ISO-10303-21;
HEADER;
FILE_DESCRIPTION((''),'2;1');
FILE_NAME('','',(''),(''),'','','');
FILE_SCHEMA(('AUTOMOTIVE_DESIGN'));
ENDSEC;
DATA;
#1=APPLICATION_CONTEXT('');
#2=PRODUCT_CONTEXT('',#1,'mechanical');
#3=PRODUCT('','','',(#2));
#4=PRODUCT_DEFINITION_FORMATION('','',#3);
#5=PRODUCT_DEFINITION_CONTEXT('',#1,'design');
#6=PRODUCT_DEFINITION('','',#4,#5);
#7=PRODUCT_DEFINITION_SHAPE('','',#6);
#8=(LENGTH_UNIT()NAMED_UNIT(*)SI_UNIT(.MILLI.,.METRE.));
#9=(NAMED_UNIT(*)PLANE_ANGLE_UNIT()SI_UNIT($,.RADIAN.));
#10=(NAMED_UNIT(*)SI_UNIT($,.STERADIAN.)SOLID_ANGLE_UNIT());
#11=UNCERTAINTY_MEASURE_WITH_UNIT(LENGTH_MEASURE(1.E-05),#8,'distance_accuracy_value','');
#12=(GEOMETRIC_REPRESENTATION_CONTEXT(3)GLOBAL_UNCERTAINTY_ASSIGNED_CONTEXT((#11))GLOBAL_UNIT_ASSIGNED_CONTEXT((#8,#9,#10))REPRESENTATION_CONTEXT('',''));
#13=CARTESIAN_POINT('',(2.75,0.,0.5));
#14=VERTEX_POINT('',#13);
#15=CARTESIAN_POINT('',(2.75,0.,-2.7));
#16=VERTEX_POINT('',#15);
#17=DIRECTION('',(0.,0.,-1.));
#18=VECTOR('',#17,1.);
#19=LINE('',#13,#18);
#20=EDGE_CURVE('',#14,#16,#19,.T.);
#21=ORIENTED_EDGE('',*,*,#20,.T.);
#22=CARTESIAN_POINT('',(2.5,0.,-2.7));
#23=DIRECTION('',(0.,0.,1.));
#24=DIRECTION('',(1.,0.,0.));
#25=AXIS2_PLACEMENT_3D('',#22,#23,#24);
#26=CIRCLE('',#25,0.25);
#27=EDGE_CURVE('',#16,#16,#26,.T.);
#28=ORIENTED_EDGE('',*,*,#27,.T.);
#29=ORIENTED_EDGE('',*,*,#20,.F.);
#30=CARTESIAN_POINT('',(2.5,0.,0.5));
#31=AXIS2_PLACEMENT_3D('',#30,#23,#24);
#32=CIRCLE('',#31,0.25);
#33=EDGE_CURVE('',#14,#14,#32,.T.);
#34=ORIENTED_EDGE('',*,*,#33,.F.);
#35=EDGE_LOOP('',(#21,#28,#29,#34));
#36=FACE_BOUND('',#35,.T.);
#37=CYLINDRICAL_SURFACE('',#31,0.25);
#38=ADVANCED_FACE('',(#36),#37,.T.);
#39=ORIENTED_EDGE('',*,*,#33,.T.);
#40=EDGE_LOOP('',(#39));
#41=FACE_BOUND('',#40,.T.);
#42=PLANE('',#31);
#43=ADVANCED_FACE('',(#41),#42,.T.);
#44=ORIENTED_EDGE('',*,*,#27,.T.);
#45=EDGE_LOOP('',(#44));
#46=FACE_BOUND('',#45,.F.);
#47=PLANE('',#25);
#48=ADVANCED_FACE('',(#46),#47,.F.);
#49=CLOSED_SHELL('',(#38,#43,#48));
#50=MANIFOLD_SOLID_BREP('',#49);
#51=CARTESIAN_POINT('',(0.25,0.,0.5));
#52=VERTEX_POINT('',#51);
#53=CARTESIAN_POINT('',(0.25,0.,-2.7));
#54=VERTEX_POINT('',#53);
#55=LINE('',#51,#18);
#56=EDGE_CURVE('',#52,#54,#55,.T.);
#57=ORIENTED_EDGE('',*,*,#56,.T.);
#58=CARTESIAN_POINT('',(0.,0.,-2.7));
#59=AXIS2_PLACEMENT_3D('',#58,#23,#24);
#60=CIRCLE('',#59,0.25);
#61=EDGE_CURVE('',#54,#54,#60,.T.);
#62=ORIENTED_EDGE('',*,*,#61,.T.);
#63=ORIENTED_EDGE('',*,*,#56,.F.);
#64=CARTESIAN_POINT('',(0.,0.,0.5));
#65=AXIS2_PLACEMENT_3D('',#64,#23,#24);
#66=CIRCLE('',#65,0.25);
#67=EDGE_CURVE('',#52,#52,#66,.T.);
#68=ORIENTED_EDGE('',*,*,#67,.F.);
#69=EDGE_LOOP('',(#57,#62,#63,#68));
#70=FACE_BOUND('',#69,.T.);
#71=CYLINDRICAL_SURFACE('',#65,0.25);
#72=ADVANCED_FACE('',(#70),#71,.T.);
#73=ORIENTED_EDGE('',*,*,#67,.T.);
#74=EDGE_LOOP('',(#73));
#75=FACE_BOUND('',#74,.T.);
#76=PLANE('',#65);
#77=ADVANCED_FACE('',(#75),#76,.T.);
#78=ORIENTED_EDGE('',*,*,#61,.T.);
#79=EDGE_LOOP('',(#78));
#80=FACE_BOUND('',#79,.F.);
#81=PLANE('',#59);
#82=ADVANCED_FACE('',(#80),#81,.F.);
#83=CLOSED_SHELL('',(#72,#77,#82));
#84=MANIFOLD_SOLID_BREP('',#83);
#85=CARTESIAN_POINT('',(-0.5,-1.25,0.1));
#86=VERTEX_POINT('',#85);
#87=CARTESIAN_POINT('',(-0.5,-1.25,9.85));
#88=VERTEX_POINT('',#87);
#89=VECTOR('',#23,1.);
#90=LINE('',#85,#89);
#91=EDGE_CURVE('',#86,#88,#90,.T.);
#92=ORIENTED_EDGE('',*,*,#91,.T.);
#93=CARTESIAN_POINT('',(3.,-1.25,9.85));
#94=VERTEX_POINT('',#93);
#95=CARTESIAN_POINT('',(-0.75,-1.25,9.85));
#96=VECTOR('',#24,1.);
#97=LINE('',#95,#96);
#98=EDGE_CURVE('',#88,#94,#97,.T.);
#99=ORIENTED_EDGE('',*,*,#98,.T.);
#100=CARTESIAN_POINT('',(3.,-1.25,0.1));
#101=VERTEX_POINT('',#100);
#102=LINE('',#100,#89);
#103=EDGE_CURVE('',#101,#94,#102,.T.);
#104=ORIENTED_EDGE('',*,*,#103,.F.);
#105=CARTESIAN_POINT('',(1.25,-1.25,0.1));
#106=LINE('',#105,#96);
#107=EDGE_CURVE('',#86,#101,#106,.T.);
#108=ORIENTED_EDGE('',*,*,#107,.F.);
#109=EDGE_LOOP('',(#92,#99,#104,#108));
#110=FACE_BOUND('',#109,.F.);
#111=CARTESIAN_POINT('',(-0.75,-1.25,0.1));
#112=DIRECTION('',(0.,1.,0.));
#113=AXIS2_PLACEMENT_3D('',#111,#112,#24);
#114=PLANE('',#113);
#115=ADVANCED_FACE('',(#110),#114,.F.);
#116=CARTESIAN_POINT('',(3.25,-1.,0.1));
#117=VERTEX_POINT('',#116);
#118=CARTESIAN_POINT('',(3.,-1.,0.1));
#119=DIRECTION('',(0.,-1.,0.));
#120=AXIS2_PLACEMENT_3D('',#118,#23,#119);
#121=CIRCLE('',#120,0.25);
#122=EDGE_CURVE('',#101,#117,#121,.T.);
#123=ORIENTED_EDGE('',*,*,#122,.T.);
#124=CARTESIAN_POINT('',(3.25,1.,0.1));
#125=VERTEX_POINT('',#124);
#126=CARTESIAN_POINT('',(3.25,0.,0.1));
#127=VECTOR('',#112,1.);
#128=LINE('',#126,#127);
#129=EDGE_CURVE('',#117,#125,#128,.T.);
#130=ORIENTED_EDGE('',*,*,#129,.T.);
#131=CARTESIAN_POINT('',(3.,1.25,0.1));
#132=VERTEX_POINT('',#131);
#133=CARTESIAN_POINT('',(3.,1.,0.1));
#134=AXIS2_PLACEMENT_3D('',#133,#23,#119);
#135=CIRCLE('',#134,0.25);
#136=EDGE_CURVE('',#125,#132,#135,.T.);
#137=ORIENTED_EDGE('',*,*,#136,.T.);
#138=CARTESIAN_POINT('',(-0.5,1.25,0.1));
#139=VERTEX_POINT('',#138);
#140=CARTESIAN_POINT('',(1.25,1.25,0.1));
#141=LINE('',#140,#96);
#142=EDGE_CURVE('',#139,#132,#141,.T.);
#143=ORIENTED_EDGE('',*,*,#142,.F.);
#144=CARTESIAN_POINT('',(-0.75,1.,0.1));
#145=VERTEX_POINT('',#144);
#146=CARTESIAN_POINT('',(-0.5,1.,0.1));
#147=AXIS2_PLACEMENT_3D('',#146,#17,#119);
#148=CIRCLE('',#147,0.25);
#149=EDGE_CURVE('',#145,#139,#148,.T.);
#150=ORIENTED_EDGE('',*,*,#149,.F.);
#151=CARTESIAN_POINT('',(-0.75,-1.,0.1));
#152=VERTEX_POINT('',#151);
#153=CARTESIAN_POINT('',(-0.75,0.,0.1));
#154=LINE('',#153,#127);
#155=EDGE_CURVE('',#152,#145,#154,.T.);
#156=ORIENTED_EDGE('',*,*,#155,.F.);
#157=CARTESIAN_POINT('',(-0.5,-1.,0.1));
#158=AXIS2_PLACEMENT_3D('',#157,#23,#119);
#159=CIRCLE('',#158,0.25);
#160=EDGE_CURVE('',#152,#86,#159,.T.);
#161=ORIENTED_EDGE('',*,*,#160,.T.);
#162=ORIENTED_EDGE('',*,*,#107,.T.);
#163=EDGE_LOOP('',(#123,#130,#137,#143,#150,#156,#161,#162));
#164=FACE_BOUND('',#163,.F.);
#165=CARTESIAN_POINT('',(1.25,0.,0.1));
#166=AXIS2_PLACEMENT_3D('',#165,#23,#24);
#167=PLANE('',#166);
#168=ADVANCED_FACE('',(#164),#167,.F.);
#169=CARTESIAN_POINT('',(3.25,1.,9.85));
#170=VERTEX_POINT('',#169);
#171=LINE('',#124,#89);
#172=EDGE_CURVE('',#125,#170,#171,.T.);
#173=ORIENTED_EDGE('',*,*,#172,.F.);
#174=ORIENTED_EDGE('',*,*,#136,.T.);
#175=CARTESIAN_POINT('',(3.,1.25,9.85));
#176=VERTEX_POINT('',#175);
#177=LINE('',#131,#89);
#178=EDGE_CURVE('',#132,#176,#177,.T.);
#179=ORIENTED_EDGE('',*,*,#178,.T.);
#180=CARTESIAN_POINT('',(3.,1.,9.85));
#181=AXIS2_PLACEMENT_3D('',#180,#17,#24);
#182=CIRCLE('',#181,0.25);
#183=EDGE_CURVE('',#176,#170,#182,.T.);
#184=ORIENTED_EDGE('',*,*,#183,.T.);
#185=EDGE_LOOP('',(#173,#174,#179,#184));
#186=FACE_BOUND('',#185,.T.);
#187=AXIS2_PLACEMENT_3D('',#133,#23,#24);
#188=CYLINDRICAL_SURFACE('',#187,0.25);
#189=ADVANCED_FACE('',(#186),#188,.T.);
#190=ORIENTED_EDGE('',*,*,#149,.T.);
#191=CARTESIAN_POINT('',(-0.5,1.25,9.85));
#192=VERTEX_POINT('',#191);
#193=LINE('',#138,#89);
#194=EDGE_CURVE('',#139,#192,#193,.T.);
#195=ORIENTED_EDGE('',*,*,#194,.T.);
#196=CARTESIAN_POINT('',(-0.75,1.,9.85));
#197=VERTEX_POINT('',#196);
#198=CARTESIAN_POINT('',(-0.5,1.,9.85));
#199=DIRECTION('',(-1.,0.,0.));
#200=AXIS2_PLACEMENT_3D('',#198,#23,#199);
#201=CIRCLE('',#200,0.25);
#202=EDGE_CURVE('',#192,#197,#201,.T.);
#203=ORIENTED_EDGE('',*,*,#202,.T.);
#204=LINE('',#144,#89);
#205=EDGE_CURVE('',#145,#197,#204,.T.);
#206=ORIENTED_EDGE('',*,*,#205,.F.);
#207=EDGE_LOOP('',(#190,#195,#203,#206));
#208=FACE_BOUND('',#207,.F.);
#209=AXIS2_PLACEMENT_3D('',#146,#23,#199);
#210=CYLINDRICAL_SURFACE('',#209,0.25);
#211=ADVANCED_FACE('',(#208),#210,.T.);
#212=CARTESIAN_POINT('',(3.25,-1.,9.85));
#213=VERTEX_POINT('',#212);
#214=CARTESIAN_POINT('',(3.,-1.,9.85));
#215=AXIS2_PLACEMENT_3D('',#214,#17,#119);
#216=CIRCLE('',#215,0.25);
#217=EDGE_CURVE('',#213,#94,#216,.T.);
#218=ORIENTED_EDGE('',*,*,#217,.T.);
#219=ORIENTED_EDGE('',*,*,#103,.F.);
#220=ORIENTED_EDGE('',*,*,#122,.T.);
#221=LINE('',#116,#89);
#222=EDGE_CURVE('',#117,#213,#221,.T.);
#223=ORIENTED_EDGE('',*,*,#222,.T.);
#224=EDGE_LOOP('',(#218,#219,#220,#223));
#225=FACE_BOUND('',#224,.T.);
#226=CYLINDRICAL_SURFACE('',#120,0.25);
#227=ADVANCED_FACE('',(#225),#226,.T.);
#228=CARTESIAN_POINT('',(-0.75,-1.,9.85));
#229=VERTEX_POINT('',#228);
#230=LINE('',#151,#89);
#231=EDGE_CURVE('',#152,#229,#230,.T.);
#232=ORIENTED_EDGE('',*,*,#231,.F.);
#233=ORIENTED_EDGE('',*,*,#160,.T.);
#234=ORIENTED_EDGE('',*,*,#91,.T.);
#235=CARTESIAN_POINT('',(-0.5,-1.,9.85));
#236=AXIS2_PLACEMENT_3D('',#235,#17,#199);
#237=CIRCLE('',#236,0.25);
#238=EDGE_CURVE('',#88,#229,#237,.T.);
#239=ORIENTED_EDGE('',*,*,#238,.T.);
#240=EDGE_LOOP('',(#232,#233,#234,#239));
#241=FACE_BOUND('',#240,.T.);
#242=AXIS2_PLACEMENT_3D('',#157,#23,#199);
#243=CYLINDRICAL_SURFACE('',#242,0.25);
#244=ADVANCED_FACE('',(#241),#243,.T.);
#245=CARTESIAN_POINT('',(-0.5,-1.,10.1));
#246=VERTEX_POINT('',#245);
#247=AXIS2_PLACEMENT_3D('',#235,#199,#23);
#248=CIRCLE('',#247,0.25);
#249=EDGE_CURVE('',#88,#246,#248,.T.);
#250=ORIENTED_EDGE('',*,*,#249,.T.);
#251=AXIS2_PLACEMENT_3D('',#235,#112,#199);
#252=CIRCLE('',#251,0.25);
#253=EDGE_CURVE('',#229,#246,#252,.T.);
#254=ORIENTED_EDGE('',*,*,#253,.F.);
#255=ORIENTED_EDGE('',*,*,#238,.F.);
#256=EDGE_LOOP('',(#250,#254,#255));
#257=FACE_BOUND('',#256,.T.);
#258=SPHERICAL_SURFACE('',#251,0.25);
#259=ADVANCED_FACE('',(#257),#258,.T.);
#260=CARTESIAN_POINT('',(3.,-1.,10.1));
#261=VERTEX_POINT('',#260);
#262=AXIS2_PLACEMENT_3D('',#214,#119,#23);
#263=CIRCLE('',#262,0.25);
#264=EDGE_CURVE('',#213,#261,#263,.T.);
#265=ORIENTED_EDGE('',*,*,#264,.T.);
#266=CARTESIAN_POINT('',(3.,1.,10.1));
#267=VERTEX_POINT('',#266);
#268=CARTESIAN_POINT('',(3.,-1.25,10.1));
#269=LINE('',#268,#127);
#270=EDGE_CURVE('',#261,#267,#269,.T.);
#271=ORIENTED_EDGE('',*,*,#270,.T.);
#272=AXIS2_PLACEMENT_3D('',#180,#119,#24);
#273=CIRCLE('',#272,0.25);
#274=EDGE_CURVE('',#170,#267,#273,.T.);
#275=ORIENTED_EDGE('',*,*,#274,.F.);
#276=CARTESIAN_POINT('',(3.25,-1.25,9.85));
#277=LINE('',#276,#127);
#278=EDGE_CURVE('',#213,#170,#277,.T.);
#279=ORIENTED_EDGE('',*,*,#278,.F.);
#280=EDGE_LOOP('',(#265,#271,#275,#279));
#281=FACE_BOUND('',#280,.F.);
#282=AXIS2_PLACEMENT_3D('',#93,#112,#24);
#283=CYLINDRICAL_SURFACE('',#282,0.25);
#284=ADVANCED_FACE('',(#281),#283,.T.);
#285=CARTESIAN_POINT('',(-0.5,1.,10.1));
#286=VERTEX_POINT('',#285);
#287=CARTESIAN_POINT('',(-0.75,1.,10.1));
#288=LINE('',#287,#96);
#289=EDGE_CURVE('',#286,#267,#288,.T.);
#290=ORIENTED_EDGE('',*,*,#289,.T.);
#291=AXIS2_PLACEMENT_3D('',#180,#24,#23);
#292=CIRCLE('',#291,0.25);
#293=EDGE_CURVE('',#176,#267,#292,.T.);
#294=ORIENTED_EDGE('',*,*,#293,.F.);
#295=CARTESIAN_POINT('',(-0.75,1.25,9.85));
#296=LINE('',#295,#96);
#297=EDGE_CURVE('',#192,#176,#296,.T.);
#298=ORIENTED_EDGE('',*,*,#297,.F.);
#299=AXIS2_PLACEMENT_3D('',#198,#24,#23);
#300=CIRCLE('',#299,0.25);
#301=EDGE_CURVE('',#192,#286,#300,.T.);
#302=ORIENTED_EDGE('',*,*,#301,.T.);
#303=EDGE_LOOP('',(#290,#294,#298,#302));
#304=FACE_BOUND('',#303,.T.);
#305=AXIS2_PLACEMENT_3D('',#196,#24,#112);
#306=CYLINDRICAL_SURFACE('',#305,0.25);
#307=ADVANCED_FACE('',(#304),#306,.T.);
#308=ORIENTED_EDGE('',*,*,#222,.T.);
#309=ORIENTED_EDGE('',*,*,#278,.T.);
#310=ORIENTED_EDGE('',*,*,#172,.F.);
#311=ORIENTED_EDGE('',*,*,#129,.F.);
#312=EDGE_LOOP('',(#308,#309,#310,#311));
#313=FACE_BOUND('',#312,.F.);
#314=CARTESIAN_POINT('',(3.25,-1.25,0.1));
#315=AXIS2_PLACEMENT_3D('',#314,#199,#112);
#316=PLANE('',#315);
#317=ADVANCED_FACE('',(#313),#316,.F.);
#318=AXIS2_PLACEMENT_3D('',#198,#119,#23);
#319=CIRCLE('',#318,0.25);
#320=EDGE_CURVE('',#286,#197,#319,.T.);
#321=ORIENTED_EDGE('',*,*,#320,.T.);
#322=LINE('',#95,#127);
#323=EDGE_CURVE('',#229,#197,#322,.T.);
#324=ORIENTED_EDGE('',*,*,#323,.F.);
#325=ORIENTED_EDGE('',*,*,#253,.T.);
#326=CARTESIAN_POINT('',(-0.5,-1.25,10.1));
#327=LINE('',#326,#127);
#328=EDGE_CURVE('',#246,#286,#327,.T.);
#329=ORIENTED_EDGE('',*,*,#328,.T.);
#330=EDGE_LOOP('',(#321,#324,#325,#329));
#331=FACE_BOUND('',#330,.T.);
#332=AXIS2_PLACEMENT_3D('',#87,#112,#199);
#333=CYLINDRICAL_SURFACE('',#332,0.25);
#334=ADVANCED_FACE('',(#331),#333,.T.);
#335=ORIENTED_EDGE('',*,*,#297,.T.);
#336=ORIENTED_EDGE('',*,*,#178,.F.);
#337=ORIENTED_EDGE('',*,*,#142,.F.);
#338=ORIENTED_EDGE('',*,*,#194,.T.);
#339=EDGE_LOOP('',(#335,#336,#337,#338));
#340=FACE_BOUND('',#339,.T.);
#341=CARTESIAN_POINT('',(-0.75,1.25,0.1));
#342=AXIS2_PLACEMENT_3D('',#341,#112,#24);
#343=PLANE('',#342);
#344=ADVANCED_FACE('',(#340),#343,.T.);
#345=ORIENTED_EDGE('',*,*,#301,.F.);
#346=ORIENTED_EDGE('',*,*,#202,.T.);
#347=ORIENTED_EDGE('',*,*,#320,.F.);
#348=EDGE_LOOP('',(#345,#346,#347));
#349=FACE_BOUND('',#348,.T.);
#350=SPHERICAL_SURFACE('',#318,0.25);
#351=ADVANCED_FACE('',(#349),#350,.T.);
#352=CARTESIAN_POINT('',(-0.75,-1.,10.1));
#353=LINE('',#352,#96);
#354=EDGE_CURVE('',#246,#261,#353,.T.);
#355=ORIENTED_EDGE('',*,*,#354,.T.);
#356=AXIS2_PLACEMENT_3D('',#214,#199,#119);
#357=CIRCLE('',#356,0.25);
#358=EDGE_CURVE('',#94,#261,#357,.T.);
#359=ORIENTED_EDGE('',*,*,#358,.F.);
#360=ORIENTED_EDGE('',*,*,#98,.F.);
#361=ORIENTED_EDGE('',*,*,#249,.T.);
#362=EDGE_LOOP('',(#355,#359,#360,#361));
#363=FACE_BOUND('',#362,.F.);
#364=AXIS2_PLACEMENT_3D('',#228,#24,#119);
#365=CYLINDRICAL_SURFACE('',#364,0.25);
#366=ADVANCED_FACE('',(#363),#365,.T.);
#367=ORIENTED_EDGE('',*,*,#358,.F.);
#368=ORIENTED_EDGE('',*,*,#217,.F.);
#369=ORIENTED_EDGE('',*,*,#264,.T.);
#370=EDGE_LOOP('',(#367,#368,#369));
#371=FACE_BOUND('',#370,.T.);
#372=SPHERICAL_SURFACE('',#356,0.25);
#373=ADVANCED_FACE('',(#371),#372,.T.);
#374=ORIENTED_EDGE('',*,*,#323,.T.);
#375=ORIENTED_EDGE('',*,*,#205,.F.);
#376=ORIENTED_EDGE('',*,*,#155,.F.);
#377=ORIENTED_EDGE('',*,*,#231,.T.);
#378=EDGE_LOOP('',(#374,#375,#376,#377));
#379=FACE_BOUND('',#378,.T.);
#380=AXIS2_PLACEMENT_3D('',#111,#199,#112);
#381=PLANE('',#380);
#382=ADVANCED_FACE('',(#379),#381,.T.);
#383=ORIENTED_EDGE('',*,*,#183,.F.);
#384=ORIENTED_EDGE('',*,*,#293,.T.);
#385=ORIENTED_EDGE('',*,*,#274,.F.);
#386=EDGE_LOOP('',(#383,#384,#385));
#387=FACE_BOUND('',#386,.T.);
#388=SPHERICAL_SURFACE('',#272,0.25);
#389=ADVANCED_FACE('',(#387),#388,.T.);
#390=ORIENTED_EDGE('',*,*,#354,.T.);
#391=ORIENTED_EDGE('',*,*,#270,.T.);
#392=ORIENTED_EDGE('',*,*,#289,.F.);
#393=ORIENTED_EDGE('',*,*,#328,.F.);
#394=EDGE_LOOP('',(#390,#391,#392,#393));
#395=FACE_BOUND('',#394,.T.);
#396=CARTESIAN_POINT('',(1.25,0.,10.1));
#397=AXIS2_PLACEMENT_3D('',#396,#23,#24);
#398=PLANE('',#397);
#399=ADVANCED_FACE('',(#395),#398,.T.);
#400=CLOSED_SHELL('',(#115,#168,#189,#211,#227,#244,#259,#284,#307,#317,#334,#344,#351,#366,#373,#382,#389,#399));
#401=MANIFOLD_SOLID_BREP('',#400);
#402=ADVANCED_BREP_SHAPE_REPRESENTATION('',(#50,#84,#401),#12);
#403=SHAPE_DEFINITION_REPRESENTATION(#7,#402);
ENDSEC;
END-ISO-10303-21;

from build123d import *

# Parameters (mm, degrees)
SKETCH_W     = 4
SKETCH_H     = 2.5
PAD_DEPTH    = 10
FILLET_R     = 0.25
SKETCH001_R  = 0.25
PAD001_DEPTH = 3.2


with BuildPart() as fillet_body:
    # Sketch → Pad (new body)
    with BuildSketch(Plane.XY.offset(0.1)):
        with Locations((1.25, 0)):
            Rectangle(SKETCH_W, SKETCH_H)
    extrude(amount=PAD_DEPTH)

    # Fillet
    fillet_edges = [fillet_body.edges().sort_by_distance(p)[0] for p in [
        (-0.75, 0, 10.1),
        (-0.75, -1.25, 5.1),
        (1.25, -1.25, 10.1),
        (3.25, -1.25, 5.1),
        (3.25, 0, 10.1),
        (3.25, 1.25, 5.1),
        (1.25, 1.25, 10.1),
        (-0.75, 1.25, 5.1),
    ]]
    fillet(fillet_edges, radius=FILLET_R)


with BuildPart() as pad001:
    # Sketch001 → Pad001 (new body)
    with BuildSketch(Plane.XY.offset(0.5)):
        Circle(SKETCH001_R)
        with Locations((2.5, 0)):
            Circle(SKETCH001_R)
    extrude(amount=-PAD001_DEPTH)


solid = Compound([fillet_body.part, pad001.part])
